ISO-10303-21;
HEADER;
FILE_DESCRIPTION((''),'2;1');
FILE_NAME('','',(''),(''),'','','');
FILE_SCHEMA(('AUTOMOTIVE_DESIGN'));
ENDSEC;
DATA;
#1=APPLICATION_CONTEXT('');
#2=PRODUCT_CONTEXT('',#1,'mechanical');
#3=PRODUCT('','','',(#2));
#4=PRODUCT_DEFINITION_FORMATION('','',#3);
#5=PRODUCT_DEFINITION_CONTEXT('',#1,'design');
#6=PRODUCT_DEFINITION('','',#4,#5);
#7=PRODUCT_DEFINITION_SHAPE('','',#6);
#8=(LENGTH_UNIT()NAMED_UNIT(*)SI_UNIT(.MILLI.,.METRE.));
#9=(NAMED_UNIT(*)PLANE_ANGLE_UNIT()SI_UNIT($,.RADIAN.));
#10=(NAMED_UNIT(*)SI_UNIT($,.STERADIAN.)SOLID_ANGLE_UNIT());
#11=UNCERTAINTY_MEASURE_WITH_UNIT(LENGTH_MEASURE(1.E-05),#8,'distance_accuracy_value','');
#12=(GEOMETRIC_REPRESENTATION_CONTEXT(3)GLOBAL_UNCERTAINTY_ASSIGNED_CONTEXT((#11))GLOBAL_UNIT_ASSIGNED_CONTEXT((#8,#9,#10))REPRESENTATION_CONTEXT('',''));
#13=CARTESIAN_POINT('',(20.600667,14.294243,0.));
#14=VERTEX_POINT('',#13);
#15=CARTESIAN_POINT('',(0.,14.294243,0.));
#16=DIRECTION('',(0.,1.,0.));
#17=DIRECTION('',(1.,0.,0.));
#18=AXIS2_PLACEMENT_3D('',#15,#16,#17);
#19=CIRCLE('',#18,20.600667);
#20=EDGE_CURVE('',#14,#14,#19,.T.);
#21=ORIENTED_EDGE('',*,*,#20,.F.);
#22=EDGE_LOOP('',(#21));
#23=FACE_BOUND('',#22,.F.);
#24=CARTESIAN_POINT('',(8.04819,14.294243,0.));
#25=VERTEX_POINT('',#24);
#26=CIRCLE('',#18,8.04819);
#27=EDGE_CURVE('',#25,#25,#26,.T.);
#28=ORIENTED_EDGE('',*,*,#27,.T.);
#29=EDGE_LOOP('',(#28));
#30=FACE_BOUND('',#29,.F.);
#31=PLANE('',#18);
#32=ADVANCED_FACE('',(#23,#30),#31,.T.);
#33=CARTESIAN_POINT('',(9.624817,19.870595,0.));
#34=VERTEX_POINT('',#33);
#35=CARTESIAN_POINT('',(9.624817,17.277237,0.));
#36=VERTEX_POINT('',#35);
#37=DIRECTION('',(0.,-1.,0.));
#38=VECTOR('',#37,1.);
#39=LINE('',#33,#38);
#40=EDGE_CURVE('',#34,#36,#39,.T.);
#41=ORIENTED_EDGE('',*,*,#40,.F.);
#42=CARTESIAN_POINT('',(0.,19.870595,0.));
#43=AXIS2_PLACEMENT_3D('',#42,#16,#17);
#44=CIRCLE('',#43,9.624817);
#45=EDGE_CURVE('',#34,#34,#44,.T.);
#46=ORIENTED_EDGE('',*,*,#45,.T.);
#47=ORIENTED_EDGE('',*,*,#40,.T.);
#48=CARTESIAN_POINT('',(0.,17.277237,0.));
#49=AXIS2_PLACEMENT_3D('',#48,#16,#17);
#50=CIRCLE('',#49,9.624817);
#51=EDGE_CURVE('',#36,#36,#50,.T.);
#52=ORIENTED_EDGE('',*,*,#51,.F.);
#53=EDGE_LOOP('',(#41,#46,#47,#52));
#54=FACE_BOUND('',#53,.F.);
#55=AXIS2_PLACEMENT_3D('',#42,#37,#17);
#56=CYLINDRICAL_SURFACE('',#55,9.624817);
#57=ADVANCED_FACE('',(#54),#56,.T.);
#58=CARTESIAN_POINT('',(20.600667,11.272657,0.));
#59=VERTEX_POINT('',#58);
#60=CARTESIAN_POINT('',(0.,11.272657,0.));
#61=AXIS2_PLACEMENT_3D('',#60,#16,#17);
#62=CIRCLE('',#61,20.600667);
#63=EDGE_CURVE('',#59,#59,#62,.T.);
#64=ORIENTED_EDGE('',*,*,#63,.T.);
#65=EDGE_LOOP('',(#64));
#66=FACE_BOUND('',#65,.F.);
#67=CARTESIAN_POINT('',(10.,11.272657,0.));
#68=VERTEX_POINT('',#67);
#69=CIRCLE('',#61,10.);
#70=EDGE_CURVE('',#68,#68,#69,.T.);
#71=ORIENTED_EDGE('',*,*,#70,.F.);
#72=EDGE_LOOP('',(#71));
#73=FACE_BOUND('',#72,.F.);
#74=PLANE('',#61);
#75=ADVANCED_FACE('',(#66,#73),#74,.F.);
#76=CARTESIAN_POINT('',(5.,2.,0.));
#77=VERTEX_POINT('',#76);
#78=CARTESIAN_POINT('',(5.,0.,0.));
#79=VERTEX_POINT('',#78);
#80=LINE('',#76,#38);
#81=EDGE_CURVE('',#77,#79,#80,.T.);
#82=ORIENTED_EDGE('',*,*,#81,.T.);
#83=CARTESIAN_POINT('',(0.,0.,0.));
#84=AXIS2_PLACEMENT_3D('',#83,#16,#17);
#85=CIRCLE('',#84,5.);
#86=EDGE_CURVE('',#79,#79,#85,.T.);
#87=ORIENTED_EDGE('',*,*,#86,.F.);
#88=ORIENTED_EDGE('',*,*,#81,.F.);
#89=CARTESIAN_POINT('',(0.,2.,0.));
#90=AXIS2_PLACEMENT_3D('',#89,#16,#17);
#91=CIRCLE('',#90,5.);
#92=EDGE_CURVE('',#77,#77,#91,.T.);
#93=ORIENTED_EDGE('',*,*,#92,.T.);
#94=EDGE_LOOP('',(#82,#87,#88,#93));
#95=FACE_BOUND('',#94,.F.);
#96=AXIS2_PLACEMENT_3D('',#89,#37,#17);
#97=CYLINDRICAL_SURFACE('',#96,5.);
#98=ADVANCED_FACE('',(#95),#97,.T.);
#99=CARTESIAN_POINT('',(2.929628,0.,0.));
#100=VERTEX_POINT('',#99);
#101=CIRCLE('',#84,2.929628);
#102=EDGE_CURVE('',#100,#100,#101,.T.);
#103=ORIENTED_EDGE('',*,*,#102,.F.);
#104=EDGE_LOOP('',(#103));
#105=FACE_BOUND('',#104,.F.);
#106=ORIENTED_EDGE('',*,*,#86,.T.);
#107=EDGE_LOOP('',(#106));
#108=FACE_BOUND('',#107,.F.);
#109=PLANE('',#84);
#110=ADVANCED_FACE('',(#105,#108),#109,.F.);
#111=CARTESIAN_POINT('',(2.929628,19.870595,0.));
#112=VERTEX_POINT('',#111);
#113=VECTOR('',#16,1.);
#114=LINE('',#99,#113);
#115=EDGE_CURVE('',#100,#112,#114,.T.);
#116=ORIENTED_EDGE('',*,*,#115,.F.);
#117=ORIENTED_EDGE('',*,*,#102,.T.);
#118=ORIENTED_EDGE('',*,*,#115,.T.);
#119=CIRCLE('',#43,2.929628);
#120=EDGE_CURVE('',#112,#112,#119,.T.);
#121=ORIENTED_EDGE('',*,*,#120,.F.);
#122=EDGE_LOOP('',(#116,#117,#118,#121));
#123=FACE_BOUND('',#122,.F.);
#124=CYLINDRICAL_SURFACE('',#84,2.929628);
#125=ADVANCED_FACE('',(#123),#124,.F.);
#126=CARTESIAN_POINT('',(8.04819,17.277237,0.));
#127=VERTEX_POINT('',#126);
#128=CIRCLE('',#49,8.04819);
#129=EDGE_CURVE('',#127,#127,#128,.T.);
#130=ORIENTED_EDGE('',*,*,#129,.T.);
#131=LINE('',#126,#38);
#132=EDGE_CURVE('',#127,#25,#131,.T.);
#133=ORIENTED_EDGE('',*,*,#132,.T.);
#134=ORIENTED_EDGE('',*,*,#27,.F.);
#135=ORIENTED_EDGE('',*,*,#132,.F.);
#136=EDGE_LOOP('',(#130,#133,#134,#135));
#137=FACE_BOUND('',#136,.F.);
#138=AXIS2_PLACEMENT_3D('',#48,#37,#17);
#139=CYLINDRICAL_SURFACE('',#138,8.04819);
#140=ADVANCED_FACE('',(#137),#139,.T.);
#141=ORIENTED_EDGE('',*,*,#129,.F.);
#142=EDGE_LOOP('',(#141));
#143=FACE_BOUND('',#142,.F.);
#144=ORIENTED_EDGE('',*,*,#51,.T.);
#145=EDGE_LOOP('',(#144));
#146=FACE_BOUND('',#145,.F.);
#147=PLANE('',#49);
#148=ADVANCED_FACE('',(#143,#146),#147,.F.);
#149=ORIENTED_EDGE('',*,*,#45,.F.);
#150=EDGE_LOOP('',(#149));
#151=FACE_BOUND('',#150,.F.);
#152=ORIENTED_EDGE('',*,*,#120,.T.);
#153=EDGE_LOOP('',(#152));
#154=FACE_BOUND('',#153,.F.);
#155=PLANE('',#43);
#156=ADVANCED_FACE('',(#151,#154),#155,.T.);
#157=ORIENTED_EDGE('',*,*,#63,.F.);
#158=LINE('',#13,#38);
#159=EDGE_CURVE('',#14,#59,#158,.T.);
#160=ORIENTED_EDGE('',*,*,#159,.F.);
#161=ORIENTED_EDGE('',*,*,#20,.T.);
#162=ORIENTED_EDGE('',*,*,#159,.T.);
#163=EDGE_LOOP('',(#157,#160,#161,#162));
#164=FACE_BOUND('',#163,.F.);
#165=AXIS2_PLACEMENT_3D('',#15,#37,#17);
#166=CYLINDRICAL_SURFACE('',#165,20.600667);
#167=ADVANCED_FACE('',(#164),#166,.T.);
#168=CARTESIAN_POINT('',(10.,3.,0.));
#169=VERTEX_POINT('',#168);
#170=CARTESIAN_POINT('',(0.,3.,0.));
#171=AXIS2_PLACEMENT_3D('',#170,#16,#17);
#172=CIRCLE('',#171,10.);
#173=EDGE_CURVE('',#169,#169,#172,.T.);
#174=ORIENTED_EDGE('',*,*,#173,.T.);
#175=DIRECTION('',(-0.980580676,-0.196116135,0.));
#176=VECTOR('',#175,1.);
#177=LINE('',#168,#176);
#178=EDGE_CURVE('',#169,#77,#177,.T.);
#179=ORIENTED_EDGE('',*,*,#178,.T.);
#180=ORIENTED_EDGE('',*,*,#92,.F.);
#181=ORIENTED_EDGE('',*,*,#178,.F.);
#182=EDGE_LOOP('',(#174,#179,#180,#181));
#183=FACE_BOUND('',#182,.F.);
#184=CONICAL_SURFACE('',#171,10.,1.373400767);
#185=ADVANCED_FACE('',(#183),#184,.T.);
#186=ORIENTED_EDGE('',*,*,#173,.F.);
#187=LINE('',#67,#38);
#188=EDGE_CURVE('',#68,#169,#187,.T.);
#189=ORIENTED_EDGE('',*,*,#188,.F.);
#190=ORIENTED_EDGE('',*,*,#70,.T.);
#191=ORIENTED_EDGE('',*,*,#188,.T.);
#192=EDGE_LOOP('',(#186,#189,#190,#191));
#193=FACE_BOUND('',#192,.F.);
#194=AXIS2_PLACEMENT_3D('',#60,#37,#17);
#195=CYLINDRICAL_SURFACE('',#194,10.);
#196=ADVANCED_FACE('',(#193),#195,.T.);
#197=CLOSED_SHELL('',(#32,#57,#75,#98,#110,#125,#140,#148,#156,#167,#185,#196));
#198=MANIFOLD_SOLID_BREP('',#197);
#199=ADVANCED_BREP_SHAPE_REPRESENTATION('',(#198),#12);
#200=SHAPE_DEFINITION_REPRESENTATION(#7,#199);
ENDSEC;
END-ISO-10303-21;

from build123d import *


with BuildPart() as part:
    # Эскиз1 → Повернуть1 (revolve)
    with BuildSketch(Plane.XY):
        Polygon((2.929628343, 0), (2.929628343, 19.870594608), (9.62481701, 19.870594608), (9.62481701, 17.277236909), (8.048190406, 17.277236909), (8.048190406, 14.29424259), (20.600667032, 14.29424259), (20.600667032, 11.272656629), (10, 11.272656629), (10, 3), (5, 2), (5, 0), align=None)
    revolve(axis=Axis((0, -11.441390283, 0), (0, 1, 0)))


solid = part.part
